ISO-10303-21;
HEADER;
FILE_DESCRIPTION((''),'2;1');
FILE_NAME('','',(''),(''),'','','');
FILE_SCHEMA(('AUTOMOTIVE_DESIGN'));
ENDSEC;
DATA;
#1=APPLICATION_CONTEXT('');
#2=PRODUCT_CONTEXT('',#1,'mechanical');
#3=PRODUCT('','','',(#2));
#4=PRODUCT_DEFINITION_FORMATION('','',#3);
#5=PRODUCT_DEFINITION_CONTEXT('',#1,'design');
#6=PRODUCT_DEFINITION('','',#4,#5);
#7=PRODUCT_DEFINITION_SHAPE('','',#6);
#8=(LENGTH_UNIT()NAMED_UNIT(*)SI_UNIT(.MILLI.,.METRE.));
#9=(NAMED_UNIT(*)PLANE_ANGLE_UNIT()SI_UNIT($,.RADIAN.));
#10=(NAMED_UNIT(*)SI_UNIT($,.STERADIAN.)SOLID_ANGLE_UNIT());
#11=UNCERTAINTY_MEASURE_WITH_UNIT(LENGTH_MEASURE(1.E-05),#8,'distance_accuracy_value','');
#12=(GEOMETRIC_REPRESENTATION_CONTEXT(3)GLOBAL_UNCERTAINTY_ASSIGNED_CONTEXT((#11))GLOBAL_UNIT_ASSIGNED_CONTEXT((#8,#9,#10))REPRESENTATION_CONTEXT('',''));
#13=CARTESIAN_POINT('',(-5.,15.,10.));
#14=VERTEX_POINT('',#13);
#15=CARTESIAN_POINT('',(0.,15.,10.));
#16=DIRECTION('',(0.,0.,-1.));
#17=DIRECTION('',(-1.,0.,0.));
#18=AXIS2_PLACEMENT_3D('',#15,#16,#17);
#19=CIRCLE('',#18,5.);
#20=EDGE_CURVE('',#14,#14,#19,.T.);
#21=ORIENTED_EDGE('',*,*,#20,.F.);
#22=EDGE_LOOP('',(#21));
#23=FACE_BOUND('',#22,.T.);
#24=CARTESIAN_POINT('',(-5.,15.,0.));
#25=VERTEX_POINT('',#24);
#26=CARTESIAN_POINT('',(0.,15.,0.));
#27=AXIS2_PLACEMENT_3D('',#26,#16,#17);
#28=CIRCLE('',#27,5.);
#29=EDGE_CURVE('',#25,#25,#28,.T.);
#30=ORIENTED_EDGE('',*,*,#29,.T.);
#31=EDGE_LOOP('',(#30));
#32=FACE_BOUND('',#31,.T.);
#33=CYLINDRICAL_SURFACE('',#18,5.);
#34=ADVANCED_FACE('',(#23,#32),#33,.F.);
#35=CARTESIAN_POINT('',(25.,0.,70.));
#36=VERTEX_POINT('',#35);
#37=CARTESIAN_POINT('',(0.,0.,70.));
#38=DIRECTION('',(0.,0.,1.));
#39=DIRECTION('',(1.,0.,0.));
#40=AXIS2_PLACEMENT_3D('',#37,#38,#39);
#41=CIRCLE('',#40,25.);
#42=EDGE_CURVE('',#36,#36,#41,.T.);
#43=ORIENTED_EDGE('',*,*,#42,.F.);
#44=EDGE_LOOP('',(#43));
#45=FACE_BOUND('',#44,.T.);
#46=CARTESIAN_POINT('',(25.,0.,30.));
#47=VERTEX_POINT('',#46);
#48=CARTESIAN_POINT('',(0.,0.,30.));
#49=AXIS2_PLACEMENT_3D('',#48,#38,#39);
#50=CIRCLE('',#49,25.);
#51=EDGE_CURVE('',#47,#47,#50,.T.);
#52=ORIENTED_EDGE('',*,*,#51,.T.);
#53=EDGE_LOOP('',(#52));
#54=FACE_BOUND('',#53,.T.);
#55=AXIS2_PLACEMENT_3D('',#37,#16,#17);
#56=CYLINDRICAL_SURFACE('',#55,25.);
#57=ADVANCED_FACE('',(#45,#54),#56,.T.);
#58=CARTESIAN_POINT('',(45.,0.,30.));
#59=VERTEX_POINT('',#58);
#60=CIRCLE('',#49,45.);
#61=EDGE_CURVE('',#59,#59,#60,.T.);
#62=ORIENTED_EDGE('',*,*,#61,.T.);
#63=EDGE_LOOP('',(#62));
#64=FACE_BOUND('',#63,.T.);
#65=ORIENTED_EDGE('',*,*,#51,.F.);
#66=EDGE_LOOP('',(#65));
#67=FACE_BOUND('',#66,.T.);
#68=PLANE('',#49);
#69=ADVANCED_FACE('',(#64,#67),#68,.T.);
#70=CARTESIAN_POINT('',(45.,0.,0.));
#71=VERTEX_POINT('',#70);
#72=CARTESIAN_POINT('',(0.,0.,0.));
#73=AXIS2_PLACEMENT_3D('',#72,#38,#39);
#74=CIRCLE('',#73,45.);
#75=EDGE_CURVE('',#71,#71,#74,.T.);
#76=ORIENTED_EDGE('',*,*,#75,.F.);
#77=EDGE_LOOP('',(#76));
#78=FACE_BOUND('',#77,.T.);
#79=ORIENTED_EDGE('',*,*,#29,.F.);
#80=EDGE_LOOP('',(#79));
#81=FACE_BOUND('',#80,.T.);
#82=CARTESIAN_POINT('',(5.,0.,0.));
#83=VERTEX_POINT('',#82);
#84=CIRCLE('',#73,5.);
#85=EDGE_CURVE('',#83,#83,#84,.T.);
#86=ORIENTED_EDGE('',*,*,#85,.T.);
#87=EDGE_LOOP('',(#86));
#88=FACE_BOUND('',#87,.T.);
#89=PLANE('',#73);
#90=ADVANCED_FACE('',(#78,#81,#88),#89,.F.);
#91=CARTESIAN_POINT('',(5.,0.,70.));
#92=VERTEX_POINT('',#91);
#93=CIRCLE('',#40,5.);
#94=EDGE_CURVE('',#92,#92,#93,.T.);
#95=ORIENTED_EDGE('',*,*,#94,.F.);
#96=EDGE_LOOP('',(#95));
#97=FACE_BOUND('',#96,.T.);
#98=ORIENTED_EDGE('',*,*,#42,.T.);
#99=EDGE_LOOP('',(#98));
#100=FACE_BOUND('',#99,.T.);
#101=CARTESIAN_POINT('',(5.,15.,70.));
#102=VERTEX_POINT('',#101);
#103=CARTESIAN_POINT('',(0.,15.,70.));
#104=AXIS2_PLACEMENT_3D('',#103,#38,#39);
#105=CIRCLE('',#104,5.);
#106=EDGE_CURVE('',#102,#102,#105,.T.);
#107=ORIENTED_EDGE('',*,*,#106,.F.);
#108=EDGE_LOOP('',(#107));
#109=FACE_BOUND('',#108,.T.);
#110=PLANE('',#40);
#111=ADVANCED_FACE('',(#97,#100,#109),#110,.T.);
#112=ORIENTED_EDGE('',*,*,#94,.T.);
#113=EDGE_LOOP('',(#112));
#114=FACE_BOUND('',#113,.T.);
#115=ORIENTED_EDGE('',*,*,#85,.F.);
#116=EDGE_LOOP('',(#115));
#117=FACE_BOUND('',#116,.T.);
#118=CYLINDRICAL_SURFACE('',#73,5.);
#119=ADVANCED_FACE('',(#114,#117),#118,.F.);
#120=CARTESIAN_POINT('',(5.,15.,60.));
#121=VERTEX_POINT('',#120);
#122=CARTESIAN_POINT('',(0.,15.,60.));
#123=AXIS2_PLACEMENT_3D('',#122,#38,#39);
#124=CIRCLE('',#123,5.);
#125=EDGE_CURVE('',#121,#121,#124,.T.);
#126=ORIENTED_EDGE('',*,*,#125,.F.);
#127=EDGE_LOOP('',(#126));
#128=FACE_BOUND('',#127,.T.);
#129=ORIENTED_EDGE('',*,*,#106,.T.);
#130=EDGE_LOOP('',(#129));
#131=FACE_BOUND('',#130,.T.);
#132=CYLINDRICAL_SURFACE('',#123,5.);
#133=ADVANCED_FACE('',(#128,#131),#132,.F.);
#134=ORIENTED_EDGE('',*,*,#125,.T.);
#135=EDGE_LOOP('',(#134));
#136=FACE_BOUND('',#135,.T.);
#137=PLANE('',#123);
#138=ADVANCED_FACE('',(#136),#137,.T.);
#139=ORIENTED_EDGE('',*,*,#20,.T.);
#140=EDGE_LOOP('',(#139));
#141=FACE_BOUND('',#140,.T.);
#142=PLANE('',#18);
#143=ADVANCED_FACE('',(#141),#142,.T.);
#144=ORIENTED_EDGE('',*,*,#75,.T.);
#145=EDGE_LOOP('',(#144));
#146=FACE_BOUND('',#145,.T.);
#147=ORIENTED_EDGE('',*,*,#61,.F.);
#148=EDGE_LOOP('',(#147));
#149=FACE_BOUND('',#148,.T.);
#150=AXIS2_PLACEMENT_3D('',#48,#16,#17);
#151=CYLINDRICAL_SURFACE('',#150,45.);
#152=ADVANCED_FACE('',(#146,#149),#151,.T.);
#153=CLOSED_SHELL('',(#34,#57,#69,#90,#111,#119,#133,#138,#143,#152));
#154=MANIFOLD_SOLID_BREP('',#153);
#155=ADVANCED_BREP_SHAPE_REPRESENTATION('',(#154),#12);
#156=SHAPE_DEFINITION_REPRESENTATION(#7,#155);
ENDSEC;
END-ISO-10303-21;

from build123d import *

# Parameters (mm, degrees)
ESQUISSE1_R             = 45
BOSS_EXTRU_1_DEPTH      = 30
ESQUISSE2_R             = 25
BOSS_EXTRU_2_DEPTH      = 40
ESQUISSE3_R             = 5
ENL_V_MAT_EXTRU_1_DEPTH = 71
ESQUISSE6_R             = 5
ENL_V_MAT_EXTRU_3_DEPTH = 10
ESQUISSE7_R             = 5
ENL_V_MAT_EXTRU_4_DEPTH = 10


with BuildPart() as part:
    # Esquisse1 → Boss.-Extru.1 (new body)
    with BuildSketch(Plane.XY):
        Circle(ESQUISSE1_R)
    extrude(amount=BOSS_EXTRU_1_DEPTH)

    # Esquisse2 → Boss.-Extru.2 (add)
    with BuildSketch(Plane.XY.offset(30)):
        Circle(ESQUISSE2_R)
    extrude(amount=BOSS_EXTRU_2_DEPTH)

    # Esquisse3 → Enlèv. mat.-Extru.1 (cut, through all)
    with BuildSketch(Plane.XY.offset(70)):
        Circle(ESQUISSE3_R)
    extrude(amount=-ENL_V_MAT_EXTRU_1_DEPTH, mode=Mode.SUBTRACT)

    # Esquisse6 → Enlèv. mat.-Extru.3 (cut)
    with BuildSketch(Plane.XY.offset(70)):
        with Locations((0, 15)):
            Circle(ESQUISSE6_R)
    extrude(amount=-ENL_V_MAT_EXTRU_3_DEPTH, mode=Mode.SUBTRACT)

    # Esquisse7 → Enlèv. mat.-Extru.4 (cut)
    with BuildSketch(Plane(origin=(0, 0, 0), x_dir=(-1, 0, 0), z_dir=(0, 0, -1))):
        with Locations((0, 15)):
            Circle(ESQUISSE7_R)
    extrude(amount=-ENL_V_MAT_EXTRU_4_DEPTH, mode=Mode.SUBTRACT)


solid = part.part
